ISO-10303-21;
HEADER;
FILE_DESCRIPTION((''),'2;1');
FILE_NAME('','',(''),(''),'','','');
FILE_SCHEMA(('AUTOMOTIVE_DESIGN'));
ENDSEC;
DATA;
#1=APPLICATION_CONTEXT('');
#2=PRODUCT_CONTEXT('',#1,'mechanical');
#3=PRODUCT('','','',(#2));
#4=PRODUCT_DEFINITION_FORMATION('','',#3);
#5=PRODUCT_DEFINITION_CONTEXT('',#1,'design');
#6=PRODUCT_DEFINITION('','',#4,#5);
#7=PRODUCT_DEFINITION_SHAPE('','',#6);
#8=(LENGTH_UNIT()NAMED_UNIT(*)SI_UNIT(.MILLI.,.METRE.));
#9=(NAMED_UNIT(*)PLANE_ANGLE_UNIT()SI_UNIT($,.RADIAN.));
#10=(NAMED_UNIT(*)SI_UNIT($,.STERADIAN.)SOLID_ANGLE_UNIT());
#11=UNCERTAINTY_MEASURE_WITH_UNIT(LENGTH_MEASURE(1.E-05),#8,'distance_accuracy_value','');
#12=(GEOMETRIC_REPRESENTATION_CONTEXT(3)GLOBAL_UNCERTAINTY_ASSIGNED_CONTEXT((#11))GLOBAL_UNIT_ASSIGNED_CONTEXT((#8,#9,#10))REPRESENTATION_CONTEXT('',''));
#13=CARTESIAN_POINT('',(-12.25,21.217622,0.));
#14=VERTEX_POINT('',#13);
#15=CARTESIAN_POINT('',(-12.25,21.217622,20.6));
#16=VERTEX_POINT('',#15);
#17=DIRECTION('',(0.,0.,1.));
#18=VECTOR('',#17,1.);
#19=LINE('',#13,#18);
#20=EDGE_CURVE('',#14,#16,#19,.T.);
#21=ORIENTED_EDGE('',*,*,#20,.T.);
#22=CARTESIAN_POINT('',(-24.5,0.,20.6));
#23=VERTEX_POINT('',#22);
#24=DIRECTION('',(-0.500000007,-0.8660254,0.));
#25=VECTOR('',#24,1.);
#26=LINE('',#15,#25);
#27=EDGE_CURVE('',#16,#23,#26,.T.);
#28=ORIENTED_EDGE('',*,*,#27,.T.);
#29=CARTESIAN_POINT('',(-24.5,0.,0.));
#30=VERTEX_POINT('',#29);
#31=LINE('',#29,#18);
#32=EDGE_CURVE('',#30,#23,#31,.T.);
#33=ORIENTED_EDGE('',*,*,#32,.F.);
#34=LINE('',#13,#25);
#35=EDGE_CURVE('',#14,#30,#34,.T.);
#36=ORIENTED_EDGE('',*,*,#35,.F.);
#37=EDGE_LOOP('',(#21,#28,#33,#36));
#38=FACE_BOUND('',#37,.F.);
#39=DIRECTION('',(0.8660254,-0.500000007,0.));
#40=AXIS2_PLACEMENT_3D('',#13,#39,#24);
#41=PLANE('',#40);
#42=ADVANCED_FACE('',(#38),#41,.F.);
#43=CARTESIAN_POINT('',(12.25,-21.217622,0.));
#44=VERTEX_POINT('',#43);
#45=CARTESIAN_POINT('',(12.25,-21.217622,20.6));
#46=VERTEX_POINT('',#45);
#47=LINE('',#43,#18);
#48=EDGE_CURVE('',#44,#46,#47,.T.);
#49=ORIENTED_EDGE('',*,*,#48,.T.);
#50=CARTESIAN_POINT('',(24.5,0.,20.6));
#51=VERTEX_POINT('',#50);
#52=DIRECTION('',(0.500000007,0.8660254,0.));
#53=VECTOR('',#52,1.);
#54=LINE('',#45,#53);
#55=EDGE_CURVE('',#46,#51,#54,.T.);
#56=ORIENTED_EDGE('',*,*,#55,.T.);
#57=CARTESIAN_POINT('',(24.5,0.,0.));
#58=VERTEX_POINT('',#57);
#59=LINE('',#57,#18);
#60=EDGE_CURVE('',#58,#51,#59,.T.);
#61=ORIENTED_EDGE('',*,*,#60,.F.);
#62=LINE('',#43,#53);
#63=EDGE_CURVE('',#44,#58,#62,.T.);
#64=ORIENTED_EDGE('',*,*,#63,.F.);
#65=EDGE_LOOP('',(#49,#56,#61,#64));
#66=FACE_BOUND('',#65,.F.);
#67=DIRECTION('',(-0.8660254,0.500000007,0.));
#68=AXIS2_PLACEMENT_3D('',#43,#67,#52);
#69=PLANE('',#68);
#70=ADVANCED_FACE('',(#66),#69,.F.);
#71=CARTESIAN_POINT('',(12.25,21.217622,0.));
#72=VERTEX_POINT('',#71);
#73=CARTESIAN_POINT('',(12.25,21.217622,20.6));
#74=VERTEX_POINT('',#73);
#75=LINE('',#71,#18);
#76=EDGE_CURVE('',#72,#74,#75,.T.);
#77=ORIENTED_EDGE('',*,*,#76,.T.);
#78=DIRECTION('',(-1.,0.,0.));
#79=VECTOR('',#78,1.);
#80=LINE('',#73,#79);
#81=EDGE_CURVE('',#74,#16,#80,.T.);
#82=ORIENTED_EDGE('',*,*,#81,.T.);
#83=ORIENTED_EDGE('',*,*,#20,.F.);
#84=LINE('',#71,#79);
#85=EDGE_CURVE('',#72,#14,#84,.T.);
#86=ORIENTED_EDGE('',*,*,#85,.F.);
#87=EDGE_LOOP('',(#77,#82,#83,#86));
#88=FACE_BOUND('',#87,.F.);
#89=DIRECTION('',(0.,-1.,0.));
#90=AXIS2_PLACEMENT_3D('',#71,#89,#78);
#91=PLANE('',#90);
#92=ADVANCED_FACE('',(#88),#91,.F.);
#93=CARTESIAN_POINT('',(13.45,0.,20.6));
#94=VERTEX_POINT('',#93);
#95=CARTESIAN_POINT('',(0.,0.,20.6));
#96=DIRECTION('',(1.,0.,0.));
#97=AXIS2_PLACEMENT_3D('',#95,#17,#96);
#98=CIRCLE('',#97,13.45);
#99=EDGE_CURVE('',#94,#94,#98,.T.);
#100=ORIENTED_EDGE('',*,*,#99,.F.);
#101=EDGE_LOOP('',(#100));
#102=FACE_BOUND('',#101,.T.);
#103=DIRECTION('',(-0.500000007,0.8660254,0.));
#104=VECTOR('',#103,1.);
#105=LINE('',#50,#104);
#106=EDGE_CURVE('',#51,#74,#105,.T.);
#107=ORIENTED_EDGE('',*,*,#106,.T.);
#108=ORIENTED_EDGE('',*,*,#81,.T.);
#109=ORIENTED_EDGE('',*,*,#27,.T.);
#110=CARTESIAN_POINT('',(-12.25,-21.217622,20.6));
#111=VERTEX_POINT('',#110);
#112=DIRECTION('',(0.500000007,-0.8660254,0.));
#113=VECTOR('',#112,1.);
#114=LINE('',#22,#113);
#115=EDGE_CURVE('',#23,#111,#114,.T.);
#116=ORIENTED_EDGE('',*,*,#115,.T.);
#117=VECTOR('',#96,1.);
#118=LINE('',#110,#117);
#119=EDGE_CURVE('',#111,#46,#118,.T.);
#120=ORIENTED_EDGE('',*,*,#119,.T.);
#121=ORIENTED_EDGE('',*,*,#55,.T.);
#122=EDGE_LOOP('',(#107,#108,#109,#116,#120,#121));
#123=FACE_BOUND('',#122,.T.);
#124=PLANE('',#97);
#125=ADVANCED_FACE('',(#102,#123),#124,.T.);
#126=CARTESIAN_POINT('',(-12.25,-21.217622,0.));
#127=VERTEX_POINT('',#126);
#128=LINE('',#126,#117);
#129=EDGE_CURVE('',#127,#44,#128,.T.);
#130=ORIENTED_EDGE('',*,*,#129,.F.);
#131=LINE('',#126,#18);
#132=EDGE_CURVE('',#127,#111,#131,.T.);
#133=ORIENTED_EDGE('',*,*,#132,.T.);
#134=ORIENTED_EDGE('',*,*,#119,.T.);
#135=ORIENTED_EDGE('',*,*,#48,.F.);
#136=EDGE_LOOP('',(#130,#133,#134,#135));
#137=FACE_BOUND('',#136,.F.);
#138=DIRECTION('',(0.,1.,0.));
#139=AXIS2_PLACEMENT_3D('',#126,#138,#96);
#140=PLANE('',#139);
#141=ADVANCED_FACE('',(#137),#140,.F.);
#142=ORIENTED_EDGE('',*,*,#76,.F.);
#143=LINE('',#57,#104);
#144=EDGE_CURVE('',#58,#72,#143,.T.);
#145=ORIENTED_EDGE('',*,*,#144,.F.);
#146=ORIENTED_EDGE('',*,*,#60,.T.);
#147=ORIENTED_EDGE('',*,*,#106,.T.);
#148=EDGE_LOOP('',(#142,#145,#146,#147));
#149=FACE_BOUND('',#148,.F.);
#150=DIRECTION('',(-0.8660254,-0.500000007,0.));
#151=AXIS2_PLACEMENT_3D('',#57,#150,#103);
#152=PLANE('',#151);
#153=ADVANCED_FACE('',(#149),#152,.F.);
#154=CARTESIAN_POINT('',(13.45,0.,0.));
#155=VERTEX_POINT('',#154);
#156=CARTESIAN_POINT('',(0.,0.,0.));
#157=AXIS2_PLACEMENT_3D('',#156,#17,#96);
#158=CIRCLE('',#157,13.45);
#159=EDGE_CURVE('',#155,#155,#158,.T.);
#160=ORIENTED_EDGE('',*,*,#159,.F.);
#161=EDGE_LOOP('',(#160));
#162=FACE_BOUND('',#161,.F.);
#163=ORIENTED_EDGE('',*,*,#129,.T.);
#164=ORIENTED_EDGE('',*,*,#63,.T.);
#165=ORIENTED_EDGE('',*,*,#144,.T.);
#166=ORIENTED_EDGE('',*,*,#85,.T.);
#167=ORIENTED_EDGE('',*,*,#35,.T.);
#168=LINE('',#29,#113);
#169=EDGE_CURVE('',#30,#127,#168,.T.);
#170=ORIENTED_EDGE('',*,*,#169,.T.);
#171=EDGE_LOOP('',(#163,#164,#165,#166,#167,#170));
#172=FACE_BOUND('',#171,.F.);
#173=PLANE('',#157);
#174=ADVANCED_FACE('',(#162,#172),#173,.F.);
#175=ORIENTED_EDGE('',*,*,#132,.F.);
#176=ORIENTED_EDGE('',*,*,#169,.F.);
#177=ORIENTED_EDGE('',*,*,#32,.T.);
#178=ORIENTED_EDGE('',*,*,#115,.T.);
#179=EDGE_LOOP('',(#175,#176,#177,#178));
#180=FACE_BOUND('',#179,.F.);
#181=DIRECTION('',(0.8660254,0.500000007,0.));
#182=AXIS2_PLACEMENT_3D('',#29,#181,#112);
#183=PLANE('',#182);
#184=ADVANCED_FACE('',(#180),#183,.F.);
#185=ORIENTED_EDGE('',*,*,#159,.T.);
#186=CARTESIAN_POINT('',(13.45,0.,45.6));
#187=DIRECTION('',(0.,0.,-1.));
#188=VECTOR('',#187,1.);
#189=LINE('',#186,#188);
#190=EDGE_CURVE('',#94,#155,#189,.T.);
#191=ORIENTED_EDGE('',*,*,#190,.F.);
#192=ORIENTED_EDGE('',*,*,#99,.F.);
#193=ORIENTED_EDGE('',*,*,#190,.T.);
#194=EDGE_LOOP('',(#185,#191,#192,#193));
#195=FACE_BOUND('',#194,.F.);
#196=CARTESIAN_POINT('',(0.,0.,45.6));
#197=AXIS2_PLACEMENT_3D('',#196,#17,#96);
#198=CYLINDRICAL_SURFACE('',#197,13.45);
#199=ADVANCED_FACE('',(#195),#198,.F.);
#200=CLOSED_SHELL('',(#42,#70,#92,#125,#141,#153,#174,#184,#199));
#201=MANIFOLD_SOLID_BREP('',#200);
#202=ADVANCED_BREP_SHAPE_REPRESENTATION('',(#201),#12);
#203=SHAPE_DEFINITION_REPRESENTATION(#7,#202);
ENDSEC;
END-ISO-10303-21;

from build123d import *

# Parameters (mm, degrees)
F1_DEPTH  = 20.6
F2_R      = 13.45
F3_DEPTH  = 25
F3_FACE_R = 13.45
F4_DEPTH  = 45.601


with BuildPart() as f1:
    # F0 (on Top) → F1 (new body)
    with BuildSketch(Plane.XY):
        Polygon((-12.25, -21.217622), (12.25, -21.217622), (24.5, 0), (12.25, 21.217622), (-12.25, 21.217622), (-24.5, 0), align=None)
    extrude(amount=F1_DEPTH)

    # F2 (on face) → F3 (join)
    with BuildSketch(Plane.XY.offset(20.6)):
        Circle(F2_R)
    extrude(amount=F3_DEPTH)

    # F3_face (on face) → F4 (cut, through all)
    with BuildSketch(Plane.XY.offset(45.6)):
        Circle(F3_FACE_R)
    extrude(amount=-F4_DEPTH, mode=Mode.SUBTRACT)


solid = f1.part
